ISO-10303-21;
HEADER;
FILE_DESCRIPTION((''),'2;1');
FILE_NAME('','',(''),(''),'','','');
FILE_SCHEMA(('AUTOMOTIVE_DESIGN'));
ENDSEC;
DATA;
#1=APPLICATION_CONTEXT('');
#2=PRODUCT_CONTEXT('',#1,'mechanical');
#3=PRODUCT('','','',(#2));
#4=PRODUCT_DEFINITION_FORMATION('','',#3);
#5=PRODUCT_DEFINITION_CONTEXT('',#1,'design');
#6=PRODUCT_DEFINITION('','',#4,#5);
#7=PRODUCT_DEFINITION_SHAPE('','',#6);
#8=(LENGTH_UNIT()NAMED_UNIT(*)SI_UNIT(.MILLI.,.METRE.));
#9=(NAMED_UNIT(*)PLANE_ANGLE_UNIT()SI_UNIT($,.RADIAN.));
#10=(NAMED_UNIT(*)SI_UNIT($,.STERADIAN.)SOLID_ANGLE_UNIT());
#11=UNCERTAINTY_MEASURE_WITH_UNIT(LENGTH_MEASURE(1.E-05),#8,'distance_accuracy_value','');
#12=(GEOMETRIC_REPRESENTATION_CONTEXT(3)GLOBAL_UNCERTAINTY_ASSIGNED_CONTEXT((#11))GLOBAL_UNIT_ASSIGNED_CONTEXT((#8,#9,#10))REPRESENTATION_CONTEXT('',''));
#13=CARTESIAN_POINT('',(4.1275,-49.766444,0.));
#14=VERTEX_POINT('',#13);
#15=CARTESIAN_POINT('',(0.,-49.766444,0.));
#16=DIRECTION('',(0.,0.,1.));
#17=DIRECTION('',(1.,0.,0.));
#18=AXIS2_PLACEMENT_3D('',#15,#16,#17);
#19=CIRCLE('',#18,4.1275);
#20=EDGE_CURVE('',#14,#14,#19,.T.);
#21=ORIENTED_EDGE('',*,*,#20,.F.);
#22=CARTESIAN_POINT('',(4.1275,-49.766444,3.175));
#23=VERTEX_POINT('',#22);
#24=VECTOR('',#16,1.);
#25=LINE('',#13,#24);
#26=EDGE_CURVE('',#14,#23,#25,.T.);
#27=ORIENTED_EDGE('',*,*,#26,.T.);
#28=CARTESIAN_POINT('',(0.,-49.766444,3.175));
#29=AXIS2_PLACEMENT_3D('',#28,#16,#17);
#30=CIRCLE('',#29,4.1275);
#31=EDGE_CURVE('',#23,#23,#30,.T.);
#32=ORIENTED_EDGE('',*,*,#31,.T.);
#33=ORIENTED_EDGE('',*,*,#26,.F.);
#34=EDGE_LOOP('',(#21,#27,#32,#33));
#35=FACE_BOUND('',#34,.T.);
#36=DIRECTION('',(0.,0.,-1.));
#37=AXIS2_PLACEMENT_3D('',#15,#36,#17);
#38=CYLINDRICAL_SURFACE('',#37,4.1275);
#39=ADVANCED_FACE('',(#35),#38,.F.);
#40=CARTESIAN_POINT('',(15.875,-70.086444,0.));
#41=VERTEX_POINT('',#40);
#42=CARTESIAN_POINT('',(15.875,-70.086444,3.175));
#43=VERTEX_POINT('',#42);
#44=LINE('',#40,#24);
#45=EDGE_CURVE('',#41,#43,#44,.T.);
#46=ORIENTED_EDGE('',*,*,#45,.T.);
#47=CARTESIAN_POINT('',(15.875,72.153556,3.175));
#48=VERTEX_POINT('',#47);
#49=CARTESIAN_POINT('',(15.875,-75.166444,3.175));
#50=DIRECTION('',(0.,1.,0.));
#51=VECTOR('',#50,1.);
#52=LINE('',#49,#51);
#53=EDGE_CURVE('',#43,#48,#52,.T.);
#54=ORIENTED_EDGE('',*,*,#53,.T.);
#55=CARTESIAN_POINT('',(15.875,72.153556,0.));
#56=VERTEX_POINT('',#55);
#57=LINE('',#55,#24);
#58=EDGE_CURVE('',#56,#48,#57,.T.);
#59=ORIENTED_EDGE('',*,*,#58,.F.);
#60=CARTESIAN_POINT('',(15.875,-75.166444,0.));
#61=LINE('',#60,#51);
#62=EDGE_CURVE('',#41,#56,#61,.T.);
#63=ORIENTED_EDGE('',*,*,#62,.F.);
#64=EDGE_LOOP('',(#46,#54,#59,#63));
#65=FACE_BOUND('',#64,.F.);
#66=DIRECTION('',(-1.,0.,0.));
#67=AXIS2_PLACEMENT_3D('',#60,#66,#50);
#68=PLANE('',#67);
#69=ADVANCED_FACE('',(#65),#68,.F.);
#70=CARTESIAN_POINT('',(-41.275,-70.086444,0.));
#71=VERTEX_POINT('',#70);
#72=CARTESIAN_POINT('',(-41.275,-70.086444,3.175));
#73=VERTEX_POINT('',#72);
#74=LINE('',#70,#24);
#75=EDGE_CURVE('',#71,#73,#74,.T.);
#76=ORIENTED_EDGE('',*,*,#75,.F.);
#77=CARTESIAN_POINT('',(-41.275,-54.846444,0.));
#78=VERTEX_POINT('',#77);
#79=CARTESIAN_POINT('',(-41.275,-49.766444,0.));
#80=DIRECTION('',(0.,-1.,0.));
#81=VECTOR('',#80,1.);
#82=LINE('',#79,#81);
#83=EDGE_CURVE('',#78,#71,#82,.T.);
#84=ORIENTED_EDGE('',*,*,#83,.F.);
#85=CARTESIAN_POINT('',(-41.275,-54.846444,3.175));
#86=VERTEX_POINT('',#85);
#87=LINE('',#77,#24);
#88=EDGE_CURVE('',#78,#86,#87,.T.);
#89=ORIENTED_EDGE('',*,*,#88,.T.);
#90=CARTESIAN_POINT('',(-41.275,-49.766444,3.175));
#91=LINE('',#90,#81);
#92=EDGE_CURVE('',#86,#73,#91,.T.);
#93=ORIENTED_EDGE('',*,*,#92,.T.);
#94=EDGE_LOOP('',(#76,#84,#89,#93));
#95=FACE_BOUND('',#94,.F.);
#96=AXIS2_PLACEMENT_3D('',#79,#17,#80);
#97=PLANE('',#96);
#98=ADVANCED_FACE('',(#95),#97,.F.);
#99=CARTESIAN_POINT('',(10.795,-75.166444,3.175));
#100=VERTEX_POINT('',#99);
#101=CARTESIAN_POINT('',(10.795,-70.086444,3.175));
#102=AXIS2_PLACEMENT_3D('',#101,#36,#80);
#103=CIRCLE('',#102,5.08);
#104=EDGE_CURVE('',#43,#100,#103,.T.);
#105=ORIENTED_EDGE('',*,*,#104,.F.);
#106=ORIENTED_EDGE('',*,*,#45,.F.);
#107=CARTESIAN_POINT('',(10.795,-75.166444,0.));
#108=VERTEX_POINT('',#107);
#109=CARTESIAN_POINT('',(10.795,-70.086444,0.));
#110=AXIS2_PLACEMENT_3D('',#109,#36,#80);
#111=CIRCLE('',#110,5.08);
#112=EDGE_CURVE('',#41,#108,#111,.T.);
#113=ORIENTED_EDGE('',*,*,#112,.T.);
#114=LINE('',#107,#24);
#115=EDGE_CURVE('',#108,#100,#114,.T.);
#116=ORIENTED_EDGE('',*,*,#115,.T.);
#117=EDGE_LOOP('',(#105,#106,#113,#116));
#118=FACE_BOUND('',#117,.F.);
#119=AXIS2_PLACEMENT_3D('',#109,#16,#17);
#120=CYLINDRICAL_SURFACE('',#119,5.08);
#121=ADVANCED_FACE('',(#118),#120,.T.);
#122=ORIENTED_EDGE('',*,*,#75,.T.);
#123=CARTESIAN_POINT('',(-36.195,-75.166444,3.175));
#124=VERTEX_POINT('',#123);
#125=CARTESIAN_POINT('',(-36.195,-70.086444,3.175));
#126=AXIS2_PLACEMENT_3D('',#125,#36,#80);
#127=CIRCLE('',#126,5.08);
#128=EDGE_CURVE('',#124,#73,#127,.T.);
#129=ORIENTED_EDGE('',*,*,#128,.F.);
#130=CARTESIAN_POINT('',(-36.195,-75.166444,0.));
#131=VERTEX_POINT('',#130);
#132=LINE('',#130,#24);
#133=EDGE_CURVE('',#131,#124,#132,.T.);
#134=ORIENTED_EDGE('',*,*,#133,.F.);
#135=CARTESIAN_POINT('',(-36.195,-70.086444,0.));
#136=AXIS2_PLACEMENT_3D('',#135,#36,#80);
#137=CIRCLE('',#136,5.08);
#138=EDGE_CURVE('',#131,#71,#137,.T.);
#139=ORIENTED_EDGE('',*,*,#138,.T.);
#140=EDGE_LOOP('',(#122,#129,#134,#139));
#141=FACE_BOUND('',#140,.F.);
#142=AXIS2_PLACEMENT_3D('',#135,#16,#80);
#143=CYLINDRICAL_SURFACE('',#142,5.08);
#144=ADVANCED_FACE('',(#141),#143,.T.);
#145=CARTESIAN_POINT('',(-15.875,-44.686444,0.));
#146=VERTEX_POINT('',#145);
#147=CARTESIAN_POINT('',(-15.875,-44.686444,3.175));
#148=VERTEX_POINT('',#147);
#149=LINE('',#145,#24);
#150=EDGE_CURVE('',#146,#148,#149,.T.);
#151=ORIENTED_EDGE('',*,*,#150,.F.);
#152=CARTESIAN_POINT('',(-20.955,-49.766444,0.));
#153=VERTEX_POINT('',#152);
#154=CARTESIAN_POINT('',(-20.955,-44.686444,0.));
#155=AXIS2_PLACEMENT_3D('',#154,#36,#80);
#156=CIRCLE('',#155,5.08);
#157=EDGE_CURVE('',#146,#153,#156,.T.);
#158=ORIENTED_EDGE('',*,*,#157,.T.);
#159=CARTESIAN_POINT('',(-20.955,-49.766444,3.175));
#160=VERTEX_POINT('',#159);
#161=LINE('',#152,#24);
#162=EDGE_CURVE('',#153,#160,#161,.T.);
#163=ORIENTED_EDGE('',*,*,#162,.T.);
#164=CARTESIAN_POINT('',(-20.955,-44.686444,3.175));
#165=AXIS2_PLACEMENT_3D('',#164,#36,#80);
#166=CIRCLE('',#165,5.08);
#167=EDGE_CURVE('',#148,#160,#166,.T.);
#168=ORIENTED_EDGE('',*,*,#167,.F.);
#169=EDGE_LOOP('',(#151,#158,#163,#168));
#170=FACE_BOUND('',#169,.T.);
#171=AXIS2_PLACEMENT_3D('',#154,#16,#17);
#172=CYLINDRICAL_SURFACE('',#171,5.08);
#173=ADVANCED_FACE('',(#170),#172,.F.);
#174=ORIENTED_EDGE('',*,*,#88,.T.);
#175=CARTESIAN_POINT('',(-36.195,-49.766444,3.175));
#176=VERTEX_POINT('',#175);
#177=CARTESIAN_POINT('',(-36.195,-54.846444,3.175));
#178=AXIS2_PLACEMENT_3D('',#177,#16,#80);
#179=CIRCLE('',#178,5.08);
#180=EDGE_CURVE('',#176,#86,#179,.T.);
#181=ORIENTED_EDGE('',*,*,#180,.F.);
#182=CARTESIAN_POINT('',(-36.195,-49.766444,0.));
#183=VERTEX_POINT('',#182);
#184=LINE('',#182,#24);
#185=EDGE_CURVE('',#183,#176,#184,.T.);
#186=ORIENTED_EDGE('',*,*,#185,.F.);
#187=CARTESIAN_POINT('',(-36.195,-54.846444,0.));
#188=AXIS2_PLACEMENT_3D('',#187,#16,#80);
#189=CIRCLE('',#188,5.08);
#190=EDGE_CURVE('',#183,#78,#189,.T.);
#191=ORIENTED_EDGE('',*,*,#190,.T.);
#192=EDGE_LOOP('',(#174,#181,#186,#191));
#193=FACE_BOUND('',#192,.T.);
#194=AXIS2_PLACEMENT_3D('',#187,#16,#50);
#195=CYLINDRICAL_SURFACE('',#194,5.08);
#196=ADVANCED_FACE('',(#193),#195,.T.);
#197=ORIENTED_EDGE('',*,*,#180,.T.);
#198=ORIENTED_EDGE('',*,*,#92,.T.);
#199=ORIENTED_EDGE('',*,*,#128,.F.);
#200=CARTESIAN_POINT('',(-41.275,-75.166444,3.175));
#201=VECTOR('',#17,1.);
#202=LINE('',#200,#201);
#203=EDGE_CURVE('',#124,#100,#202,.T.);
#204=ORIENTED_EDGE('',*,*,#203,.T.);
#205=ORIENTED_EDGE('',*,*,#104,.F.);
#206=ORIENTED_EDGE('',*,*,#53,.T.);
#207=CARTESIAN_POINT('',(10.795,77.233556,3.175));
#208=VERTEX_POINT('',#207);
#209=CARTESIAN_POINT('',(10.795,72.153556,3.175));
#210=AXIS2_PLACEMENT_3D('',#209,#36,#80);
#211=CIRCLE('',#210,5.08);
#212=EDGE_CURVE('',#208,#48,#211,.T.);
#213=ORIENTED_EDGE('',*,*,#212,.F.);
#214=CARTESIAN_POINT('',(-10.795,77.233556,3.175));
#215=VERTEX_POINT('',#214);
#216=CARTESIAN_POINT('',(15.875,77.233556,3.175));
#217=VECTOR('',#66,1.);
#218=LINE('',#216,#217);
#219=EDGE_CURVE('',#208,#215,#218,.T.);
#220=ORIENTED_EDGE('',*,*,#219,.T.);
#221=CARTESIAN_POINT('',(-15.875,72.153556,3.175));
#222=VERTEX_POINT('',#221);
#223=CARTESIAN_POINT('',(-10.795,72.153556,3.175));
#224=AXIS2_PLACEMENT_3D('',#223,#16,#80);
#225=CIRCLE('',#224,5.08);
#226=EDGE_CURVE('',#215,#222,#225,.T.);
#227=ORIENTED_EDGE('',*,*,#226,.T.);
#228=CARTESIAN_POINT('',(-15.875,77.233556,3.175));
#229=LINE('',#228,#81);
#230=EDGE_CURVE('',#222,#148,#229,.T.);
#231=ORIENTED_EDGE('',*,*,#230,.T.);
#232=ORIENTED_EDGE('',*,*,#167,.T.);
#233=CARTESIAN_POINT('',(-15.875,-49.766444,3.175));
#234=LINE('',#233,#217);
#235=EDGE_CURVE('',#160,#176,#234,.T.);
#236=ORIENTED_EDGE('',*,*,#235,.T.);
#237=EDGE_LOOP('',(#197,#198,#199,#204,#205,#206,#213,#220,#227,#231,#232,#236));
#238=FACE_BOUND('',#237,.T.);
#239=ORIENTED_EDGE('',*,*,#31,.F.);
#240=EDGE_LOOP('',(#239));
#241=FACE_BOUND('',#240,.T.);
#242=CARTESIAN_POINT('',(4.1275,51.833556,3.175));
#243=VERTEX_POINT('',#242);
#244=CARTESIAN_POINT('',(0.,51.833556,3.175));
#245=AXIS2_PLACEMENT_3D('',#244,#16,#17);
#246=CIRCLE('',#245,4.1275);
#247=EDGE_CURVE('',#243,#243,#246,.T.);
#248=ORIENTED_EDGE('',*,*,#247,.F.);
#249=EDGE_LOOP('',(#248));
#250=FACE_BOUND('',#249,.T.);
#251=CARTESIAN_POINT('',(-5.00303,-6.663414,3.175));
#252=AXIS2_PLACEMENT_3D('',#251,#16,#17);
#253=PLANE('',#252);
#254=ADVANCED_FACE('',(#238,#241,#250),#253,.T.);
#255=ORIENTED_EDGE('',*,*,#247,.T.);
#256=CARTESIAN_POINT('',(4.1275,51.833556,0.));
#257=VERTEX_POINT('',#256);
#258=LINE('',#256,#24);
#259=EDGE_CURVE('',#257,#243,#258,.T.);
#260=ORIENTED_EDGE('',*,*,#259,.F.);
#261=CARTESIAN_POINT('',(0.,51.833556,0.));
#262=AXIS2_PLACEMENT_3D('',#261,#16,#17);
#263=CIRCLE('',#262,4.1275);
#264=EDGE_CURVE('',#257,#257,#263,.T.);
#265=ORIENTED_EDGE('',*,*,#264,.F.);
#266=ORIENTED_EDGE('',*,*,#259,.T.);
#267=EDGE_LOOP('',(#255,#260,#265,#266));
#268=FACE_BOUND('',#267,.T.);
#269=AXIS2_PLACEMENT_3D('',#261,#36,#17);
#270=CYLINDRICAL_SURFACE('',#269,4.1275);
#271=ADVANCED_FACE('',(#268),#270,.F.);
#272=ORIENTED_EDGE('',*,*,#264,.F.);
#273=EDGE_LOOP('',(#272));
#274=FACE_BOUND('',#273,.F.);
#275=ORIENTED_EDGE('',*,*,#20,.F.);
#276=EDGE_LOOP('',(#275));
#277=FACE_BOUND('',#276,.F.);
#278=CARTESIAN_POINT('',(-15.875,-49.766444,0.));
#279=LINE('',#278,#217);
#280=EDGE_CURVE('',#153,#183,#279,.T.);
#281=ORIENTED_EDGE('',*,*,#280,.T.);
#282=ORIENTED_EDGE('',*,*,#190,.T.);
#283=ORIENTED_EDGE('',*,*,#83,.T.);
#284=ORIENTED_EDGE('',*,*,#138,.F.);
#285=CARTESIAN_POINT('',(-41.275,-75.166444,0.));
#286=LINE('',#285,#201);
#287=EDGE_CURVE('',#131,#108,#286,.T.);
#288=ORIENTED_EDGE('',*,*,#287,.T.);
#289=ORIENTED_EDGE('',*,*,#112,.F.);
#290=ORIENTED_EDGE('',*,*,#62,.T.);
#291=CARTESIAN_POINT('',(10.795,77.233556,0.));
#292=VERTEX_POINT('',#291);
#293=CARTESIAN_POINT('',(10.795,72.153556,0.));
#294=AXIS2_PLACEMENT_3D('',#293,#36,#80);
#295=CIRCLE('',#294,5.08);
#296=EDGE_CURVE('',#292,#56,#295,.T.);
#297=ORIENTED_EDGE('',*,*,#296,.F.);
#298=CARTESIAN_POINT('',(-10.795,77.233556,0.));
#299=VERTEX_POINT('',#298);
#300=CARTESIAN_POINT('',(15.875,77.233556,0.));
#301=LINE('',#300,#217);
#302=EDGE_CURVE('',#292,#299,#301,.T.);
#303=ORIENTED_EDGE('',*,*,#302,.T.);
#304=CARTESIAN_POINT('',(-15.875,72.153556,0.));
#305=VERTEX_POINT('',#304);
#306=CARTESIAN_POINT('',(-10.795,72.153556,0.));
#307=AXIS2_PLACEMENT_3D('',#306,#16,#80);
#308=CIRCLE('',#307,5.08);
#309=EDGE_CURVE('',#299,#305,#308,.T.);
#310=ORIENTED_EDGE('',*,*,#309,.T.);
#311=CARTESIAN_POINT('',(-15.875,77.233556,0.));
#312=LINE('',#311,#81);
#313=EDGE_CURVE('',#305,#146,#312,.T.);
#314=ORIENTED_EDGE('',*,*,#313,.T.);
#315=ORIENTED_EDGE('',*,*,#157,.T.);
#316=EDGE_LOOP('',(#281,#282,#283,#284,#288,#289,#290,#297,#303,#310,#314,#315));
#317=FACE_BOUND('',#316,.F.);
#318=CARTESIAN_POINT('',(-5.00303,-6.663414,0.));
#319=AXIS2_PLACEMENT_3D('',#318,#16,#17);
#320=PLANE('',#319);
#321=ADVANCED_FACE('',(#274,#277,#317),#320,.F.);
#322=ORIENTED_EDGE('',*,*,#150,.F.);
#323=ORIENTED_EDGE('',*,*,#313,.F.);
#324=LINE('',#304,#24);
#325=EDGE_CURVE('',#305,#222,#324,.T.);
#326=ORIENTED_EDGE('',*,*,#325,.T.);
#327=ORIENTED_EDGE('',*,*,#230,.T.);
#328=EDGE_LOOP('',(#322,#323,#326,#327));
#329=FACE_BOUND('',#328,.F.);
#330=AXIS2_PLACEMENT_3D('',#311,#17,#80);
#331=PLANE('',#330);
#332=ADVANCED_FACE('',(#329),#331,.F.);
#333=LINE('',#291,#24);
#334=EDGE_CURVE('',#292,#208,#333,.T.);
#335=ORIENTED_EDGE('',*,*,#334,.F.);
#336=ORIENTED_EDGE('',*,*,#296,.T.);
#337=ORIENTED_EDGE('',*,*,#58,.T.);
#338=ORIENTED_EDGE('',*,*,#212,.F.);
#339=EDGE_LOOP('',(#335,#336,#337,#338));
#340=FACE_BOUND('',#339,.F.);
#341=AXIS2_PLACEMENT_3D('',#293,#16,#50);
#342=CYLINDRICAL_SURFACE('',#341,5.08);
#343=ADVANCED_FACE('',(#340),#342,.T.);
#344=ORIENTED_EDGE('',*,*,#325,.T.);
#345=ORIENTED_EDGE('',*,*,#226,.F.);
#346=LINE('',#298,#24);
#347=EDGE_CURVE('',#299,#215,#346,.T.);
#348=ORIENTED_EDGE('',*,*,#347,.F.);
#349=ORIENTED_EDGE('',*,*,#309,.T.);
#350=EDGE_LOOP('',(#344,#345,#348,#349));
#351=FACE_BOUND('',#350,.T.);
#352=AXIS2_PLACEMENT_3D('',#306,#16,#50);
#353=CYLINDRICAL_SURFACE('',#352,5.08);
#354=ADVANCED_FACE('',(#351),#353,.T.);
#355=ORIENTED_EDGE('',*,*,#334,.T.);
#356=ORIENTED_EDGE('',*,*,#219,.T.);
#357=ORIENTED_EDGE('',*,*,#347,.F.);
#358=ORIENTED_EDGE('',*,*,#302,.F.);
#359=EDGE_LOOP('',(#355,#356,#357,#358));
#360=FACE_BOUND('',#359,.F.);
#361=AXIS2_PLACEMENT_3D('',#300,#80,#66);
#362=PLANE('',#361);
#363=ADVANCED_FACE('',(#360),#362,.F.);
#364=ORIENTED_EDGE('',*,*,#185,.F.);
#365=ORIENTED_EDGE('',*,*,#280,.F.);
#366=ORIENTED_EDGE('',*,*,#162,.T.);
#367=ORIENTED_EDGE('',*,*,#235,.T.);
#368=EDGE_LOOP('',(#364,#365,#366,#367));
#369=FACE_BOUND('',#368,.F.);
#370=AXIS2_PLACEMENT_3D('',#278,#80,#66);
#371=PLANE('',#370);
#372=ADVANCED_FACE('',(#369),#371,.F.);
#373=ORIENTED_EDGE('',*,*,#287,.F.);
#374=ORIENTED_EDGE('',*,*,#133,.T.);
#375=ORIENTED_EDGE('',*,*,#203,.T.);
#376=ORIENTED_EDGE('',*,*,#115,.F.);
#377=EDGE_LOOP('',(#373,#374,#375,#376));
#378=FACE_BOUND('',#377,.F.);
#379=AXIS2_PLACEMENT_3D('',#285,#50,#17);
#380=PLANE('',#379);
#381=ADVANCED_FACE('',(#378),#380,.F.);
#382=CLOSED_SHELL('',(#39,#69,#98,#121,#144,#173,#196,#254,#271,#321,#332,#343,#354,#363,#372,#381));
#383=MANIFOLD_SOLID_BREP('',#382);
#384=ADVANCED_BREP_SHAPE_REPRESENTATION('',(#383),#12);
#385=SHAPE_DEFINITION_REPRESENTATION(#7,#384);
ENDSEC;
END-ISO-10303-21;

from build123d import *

# Parameters (mm, degrees)
F0_R     = 4.1275
F1_DEPTH = 3.175
F2_R     = 5.08


with BuildPart() as f1:
    # F0 (on Top) → F1 (new body)
    with BuildSketch(Plane.XY):
        Polygon((15.875, 77.233556), (-15.875, 77.233556), (-15.875, -49.766444), (-41.275, -49.766444), (-41.275, -75.166444), (15.875, -75.166444), align=None)
        with Locations((0, -49.766444)):
            Circle(F0_R, mode=Mode.SUBTRACT)
        with Locations((0, 51.833556)):
            Circle(F0_R, mode=Mode.SUBTRACT)
    extrude(amount=F1_DEPTH)

    # F2
    f2_edges = [f1.edges().sort_by_distance(p)[0] for p in [
        (-15.875, 77.233556, 1.5875),
        (15.875, 77.233556, 1.5875),
        (-15.875, -49.766444, 1.5875),
        (-41.275, -49.766444, 1.5875),
        (-41.275, -75.166444, 1.5875),
        (15.875, -75.166444, 1.5875),
    ]]
    fillet(f2_edges, radius=F2_R)


solid = f1.part
